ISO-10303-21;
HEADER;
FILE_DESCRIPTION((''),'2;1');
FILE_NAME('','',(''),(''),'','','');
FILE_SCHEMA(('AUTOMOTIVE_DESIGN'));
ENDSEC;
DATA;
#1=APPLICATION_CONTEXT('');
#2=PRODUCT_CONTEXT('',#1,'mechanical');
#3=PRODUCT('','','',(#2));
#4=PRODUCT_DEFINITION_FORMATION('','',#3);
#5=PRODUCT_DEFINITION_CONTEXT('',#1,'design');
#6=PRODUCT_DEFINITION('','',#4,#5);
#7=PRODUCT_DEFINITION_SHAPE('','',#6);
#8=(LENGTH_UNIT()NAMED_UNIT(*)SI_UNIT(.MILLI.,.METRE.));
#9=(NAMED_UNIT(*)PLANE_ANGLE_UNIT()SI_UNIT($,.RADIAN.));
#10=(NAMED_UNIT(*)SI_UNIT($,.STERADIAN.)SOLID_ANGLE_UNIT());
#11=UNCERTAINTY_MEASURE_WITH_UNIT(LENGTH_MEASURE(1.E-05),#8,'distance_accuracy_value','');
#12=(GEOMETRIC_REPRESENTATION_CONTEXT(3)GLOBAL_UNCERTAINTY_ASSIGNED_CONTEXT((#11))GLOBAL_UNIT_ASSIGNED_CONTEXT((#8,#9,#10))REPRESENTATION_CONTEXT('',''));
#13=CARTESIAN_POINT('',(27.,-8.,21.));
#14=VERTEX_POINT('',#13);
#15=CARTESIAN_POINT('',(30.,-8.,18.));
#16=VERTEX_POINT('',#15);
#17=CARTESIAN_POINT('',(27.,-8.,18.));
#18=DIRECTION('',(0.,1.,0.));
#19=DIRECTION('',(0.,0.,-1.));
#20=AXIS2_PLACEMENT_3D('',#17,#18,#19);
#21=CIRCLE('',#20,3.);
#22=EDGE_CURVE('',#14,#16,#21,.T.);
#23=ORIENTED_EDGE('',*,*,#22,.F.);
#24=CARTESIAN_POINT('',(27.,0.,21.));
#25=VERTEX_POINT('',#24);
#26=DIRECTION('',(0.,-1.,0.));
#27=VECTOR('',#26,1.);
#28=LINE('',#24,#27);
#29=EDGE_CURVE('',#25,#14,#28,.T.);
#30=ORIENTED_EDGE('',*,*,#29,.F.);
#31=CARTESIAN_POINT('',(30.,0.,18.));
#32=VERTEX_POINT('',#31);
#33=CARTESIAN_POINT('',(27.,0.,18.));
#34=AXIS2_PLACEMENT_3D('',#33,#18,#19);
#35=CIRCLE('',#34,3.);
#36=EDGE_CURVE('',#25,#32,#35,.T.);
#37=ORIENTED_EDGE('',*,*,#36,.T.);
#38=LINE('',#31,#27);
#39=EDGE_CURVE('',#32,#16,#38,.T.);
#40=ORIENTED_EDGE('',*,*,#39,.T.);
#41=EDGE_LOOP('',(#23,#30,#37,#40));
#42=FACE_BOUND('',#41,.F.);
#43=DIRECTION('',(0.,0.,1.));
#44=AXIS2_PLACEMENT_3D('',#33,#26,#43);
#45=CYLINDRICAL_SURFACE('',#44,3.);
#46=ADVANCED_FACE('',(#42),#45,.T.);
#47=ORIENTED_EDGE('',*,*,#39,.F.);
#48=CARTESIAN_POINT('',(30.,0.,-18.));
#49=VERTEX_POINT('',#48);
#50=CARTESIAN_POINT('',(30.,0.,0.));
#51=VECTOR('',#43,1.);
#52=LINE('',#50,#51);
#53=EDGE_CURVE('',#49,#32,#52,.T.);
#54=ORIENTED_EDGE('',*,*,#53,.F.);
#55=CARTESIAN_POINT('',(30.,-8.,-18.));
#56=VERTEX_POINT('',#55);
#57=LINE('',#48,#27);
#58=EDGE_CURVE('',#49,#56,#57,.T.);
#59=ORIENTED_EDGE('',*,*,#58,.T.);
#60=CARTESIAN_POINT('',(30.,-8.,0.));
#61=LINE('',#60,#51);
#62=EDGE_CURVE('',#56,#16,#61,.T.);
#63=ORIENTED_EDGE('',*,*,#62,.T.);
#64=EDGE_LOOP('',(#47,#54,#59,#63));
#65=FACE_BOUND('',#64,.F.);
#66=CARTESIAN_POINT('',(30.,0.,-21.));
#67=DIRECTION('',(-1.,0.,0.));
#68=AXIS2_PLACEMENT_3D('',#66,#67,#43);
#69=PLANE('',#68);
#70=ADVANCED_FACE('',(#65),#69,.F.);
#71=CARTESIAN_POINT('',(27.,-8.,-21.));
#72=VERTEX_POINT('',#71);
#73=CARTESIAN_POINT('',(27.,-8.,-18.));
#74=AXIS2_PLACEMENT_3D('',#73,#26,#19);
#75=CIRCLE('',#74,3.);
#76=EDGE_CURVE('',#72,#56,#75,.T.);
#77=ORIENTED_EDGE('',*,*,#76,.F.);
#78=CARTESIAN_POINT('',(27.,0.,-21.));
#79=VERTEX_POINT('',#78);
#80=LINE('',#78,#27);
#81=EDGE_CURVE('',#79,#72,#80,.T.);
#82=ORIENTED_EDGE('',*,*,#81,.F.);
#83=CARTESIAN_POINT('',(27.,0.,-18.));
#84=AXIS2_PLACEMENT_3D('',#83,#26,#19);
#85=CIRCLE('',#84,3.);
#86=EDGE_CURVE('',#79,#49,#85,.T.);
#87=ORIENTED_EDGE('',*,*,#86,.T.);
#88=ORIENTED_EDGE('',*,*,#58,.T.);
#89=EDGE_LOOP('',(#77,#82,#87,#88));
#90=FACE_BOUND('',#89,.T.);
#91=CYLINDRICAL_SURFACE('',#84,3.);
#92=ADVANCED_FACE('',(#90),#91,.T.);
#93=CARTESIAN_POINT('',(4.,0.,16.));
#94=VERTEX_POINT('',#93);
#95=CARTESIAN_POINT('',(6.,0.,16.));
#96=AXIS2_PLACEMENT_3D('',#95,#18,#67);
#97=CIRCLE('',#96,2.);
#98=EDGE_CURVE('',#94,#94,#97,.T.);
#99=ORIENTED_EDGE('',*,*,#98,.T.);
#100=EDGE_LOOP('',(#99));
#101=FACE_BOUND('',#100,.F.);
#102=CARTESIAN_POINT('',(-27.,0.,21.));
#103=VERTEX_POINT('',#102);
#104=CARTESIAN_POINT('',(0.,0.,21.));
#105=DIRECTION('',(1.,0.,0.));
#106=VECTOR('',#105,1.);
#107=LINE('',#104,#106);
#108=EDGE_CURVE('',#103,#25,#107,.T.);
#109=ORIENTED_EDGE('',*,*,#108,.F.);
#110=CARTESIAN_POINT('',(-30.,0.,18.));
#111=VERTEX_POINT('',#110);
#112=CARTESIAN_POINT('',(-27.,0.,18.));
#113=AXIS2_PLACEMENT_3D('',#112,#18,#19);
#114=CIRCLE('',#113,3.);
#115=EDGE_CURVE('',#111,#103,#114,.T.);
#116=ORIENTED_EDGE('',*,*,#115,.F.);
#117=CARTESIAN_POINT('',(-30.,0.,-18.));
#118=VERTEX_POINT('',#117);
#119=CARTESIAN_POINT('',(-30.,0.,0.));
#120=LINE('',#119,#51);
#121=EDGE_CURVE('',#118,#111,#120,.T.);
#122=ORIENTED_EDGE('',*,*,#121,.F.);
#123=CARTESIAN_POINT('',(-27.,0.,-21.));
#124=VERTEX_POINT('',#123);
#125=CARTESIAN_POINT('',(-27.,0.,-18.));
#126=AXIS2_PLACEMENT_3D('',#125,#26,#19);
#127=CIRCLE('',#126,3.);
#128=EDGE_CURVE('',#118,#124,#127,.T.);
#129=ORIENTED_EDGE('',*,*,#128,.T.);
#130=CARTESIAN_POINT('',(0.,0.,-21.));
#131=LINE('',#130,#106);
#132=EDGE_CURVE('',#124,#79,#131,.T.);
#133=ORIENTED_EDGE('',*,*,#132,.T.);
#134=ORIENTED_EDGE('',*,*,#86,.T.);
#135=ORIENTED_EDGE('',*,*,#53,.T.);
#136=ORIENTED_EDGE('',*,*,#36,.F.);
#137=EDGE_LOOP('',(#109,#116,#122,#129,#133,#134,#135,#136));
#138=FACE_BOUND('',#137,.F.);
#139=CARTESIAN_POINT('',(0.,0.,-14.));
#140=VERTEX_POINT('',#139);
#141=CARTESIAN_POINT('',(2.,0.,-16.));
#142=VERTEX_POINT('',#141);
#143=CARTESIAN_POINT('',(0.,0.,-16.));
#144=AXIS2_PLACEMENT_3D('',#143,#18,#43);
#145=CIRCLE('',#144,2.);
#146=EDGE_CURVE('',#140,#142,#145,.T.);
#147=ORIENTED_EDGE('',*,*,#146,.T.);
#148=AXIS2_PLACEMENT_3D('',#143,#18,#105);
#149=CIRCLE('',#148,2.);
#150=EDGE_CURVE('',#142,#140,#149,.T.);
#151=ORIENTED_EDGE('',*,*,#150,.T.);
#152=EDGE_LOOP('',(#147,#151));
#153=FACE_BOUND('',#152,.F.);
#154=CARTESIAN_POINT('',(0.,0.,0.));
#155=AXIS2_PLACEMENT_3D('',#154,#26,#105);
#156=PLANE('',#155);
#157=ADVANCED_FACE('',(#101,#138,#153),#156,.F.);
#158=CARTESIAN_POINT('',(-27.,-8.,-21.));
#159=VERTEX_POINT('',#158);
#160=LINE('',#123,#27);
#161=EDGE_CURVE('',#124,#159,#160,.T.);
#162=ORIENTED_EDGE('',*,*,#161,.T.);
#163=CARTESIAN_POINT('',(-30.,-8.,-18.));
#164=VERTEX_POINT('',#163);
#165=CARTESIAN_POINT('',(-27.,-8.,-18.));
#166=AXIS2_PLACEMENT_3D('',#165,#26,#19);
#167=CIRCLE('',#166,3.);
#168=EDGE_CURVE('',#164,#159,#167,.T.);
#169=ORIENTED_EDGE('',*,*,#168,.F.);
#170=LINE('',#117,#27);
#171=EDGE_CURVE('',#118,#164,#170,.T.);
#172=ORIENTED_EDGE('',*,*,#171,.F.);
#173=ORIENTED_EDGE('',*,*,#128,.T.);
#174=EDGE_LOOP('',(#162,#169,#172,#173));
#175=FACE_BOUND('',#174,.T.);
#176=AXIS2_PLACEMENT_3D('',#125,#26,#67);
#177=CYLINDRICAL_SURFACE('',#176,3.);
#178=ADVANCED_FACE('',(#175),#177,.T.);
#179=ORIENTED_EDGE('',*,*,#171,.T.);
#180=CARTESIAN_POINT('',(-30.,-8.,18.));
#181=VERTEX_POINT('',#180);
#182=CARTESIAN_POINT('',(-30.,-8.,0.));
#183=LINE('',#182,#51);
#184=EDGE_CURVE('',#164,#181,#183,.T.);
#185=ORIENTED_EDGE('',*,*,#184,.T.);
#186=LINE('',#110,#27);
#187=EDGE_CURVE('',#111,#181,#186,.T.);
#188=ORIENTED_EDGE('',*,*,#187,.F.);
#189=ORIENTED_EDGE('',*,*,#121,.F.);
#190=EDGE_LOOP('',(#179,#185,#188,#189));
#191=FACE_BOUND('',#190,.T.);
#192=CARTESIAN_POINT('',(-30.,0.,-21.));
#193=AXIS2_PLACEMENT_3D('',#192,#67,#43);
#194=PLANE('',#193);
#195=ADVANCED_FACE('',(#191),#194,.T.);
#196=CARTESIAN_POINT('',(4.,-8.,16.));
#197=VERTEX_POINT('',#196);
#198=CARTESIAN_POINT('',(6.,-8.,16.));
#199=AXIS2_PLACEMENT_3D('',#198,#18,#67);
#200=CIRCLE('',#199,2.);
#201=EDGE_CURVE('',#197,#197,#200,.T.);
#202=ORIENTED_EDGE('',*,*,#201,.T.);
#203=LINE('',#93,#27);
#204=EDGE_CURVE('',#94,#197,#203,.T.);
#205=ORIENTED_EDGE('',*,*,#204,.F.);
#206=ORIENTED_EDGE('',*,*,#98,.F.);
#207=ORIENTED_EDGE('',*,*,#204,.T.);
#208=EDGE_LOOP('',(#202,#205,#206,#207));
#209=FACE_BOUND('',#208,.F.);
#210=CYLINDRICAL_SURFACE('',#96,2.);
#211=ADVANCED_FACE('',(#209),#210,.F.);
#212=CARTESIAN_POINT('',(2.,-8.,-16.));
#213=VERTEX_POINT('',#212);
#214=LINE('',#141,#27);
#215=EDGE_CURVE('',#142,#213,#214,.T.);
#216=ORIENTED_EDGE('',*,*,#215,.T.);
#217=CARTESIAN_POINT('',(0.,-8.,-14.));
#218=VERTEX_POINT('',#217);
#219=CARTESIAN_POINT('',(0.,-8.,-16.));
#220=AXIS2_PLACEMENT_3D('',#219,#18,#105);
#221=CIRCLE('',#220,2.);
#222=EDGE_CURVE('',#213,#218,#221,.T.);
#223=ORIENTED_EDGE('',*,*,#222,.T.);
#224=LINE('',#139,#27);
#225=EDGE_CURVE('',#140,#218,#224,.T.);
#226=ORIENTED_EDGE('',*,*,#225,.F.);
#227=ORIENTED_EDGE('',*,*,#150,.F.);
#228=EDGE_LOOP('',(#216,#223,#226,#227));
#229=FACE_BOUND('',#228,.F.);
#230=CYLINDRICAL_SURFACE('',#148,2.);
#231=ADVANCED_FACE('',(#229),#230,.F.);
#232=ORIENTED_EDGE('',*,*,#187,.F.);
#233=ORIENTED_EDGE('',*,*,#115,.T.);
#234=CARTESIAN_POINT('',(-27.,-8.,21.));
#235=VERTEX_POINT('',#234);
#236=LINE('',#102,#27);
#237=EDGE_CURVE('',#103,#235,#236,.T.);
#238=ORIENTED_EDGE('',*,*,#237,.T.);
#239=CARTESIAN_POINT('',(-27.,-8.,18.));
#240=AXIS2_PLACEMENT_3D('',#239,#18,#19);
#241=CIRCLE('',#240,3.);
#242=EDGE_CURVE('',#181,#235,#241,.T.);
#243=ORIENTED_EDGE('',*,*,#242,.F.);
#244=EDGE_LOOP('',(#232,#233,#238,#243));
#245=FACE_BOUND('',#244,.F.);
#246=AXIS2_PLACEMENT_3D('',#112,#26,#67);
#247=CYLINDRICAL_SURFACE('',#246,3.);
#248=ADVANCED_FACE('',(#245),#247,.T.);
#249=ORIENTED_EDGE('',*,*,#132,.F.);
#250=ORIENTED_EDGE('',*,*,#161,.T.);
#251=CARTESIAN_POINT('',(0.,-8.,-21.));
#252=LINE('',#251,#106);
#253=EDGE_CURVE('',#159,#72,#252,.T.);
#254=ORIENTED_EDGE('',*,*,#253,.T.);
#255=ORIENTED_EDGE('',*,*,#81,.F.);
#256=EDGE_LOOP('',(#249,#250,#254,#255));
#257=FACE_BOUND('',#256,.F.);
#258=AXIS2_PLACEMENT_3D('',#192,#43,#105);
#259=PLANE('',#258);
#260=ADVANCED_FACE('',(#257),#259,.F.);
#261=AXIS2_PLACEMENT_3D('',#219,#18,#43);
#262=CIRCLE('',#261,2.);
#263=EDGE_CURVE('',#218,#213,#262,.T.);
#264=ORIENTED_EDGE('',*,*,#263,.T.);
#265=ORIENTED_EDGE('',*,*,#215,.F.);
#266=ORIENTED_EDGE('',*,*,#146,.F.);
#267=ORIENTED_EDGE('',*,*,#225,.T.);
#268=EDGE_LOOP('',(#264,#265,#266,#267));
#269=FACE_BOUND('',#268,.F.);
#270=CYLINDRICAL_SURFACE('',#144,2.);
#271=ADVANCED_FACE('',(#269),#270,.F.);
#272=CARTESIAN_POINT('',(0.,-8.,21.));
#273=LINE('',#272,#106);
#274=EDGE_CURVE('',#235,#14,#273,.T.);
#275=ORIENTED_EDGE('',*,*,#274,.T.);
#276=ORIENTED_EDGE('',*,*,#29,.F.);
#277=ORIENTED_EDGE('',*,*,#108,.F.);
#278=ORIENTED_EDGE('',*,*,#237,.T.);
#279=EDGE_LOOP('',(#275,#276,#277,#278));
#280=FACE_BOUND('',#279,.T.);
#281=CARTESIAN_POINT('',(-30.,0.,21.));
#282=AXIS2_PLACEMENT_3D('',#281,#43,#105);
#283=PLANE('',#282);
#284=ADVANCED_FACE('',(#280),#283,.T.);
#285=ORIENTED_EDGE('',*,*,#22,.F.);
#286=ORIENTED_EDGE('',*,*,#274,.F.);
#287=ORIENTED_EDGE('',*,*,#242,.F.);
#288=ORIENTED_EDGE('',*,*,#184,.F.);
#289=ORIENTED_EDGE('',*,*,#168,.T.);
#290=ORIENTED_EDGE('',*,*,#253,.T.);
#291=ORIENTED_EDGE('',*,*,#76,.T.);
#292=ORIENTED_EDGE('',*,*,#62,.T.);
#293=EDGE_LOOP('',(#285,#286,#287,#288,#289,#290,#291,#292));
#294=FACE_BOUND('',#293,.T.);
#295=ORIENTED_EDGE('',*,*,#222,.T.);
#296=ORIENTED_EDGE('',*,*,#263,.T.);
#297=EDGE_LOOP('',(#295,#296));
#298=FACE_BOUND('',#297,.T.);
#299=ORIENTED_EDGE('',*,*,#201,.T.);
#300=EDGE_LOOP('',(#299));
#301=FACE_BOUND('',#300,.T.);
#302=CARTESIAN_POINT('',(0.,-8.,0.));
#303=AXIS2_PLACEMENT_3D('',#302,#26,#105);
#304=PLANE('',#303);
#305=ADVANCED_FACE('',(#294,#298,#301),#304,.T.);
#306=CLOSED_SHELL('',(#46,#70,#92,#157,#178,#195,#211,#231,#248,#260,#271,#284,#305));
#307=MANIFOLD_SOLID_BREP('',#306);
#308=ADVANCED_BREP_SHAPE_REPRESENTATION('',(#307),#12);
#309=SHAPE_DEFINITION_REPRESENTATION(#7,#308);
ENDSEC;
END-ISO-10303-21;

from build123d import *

# Parameters (mm, degrees)
F0_W      = 5
F0_H      = 2.8
F1_DEPTH  = 6.3
F2_W      = 46
F2_H      = 23
F3_DEPTH  = 16
F5_W      = 4
F5_H      = 7.5
F6_DEPTH  = 25
F9_R      = 1.5
F10_W     = 46
F10_H     = 42
F11_DEPTH = 3
F13_R     = 3
F14_W     = 60
F14_H     = 42
F15_DEPTH = 8
F16_R     = 3


with BuildPart() as f1:
    # F0 (on Front) → F1 (new body, symmetric)
    with BuildSketch(Plane.XZ):
        with Locations((14, 6.1)):
            Rectangle(F0_W, F0_H)
        with Locations((-14, 6.1)):
            Rectangle(F0_W, F0_H)
        Polygon((-11.5, -11.5), (11.5, -11.5), (11.5, 4.7), (11.5, 7.5), (11.5, 11.5), (-11.5, 11.5), (-11.5, 7.5), (-11.5, 4.7), align=None)
    extrude(amount=F1_DEPTH, both=True)


with BuildPart() as f3:
    # F2 (on Front) → F3 (new body)
    with BuildSketch(Plane.XZ):
        Rectangle(F2_W, F2_H)
    extrude(amount=F3_DEPTH)


with BuildPart() as f3_1:
    # F4: moved
    add(f3.part.moved(Location((0, 9.75, 0))))


with BuildPart() as f6:
    # F5 (on Front) → F6 (new body)
    with BuildSketch(Plane.XZ):
        with Locations((13.5, -7.75)):
            Rectangle(F5_W, F5_H)
    extrude(amount=F6_DEPTH)


with BuildPart() as f6_1:
    # F7: moved
    add(f6.part.moved(Location((0, 4, 0))))


with BuildPart() as f3_2:
    add(f3_1.part)

    # F8: cut F6, F1
    add(f6_1.part, mode=Mode.SUBTRACT)
    add(f1.part, mode=Mode.SUBTRACT)

    # F9
    f9_edges = [f3_2.edges().sort_by_distance(p)[0] for p in [
        (-23, -6.25, 0),
        (23, -6.25, 0),
        (23, 1.75, 11.5),
        (-23, 1.75, 11.5),
        (-17.25, -6.25, 11.5),
        (17.25, -6.25, 11.5),
        (23, 1.75, -11.5),
        (19.25, -6.25, -11.5),
        (-23, 1.75, -11.5),
        (-17.25, -6.25, -11.5),
    ]]
    fillet(f9_edges, radius=F9_R)


with BuildPart() as f11:
    # F10 (on Front) → F11 (new body)
    with BuildSketch(Plane.XZ):
        Rectangle(F10_W, F10_H)
        with BuildLine():
            Line((-18, -14), (0, -14))
            Line((0, -14), (18, -14))
            ThreePointArc((18, -14), (20, -16), (18, -18))
            Line((18, -18), (-18, -18))
            ThreePointArc((-18, -18), (-20, -16), (-18, -14))
        make_face(mode=Mode.SUBTRACT)
        with BuildLine():
            Line((18, 14), (0, 14))
            Line((0, 14), (-18, 14))
            ThreePointArc((-18, 14), (-20, 16), (-18, 18))
            Line((-18, 18), (18, 18))
            ThreePointArc((18, 18), (20, 16), (18, 14))
        make_face(mode=Mode.SUBTRACT)
    extrude(amount=F11_DEPTH)


with BuildPart() as f11_1:
    # F12: moved
    add(f11.part.moved(Location((0, 12, 0))))

    # F13
    f13_edges = [f11_1.edges().sort_by_distance(p)[0] for p in [
        (-23, 10.5, 21),
        (23, 10.5, 21),
        (23, 10.5, -21),
        (-23, 10.5, -21),
    ]]
    fillet(f13_edges, radius=F13_R)


with BuildPart() as f15:
    # F14 (on Front) → F15 (new body)
    with BuildSketch(Plane.XZ):
        Rectangle(F14_W, F14_H)
        with BuildLine():
            ThreePointArc((2, -16), (-1.4142135624, -17.4142135624), (0, -14))
            ThreePointArc((0, -14), (1.4142135624, -14.5857864376), (2, -16))
        make_face(mode=Mode.SUBTRACT)
        with BuildLine():
            ThreePointArc((8, 16), (6, 14), (4, 16))
            ThreePointArc((4, 16), (6, 18), (8, 16))
        make_face(mode=Mode.SUBTRACT)
    extrude(amount=F15_DEPTH)

    # F16
    f16_edges = [f15.edges().sort_by_distance(p)[0] for p in [
        (30, -4, -21),
        (-30, -4, -21),
        (-30, -4, 21),
        (30, -4, 21),
    ]]
    fillet(f16_edges, radius=F16_R)


solid = f15.part
